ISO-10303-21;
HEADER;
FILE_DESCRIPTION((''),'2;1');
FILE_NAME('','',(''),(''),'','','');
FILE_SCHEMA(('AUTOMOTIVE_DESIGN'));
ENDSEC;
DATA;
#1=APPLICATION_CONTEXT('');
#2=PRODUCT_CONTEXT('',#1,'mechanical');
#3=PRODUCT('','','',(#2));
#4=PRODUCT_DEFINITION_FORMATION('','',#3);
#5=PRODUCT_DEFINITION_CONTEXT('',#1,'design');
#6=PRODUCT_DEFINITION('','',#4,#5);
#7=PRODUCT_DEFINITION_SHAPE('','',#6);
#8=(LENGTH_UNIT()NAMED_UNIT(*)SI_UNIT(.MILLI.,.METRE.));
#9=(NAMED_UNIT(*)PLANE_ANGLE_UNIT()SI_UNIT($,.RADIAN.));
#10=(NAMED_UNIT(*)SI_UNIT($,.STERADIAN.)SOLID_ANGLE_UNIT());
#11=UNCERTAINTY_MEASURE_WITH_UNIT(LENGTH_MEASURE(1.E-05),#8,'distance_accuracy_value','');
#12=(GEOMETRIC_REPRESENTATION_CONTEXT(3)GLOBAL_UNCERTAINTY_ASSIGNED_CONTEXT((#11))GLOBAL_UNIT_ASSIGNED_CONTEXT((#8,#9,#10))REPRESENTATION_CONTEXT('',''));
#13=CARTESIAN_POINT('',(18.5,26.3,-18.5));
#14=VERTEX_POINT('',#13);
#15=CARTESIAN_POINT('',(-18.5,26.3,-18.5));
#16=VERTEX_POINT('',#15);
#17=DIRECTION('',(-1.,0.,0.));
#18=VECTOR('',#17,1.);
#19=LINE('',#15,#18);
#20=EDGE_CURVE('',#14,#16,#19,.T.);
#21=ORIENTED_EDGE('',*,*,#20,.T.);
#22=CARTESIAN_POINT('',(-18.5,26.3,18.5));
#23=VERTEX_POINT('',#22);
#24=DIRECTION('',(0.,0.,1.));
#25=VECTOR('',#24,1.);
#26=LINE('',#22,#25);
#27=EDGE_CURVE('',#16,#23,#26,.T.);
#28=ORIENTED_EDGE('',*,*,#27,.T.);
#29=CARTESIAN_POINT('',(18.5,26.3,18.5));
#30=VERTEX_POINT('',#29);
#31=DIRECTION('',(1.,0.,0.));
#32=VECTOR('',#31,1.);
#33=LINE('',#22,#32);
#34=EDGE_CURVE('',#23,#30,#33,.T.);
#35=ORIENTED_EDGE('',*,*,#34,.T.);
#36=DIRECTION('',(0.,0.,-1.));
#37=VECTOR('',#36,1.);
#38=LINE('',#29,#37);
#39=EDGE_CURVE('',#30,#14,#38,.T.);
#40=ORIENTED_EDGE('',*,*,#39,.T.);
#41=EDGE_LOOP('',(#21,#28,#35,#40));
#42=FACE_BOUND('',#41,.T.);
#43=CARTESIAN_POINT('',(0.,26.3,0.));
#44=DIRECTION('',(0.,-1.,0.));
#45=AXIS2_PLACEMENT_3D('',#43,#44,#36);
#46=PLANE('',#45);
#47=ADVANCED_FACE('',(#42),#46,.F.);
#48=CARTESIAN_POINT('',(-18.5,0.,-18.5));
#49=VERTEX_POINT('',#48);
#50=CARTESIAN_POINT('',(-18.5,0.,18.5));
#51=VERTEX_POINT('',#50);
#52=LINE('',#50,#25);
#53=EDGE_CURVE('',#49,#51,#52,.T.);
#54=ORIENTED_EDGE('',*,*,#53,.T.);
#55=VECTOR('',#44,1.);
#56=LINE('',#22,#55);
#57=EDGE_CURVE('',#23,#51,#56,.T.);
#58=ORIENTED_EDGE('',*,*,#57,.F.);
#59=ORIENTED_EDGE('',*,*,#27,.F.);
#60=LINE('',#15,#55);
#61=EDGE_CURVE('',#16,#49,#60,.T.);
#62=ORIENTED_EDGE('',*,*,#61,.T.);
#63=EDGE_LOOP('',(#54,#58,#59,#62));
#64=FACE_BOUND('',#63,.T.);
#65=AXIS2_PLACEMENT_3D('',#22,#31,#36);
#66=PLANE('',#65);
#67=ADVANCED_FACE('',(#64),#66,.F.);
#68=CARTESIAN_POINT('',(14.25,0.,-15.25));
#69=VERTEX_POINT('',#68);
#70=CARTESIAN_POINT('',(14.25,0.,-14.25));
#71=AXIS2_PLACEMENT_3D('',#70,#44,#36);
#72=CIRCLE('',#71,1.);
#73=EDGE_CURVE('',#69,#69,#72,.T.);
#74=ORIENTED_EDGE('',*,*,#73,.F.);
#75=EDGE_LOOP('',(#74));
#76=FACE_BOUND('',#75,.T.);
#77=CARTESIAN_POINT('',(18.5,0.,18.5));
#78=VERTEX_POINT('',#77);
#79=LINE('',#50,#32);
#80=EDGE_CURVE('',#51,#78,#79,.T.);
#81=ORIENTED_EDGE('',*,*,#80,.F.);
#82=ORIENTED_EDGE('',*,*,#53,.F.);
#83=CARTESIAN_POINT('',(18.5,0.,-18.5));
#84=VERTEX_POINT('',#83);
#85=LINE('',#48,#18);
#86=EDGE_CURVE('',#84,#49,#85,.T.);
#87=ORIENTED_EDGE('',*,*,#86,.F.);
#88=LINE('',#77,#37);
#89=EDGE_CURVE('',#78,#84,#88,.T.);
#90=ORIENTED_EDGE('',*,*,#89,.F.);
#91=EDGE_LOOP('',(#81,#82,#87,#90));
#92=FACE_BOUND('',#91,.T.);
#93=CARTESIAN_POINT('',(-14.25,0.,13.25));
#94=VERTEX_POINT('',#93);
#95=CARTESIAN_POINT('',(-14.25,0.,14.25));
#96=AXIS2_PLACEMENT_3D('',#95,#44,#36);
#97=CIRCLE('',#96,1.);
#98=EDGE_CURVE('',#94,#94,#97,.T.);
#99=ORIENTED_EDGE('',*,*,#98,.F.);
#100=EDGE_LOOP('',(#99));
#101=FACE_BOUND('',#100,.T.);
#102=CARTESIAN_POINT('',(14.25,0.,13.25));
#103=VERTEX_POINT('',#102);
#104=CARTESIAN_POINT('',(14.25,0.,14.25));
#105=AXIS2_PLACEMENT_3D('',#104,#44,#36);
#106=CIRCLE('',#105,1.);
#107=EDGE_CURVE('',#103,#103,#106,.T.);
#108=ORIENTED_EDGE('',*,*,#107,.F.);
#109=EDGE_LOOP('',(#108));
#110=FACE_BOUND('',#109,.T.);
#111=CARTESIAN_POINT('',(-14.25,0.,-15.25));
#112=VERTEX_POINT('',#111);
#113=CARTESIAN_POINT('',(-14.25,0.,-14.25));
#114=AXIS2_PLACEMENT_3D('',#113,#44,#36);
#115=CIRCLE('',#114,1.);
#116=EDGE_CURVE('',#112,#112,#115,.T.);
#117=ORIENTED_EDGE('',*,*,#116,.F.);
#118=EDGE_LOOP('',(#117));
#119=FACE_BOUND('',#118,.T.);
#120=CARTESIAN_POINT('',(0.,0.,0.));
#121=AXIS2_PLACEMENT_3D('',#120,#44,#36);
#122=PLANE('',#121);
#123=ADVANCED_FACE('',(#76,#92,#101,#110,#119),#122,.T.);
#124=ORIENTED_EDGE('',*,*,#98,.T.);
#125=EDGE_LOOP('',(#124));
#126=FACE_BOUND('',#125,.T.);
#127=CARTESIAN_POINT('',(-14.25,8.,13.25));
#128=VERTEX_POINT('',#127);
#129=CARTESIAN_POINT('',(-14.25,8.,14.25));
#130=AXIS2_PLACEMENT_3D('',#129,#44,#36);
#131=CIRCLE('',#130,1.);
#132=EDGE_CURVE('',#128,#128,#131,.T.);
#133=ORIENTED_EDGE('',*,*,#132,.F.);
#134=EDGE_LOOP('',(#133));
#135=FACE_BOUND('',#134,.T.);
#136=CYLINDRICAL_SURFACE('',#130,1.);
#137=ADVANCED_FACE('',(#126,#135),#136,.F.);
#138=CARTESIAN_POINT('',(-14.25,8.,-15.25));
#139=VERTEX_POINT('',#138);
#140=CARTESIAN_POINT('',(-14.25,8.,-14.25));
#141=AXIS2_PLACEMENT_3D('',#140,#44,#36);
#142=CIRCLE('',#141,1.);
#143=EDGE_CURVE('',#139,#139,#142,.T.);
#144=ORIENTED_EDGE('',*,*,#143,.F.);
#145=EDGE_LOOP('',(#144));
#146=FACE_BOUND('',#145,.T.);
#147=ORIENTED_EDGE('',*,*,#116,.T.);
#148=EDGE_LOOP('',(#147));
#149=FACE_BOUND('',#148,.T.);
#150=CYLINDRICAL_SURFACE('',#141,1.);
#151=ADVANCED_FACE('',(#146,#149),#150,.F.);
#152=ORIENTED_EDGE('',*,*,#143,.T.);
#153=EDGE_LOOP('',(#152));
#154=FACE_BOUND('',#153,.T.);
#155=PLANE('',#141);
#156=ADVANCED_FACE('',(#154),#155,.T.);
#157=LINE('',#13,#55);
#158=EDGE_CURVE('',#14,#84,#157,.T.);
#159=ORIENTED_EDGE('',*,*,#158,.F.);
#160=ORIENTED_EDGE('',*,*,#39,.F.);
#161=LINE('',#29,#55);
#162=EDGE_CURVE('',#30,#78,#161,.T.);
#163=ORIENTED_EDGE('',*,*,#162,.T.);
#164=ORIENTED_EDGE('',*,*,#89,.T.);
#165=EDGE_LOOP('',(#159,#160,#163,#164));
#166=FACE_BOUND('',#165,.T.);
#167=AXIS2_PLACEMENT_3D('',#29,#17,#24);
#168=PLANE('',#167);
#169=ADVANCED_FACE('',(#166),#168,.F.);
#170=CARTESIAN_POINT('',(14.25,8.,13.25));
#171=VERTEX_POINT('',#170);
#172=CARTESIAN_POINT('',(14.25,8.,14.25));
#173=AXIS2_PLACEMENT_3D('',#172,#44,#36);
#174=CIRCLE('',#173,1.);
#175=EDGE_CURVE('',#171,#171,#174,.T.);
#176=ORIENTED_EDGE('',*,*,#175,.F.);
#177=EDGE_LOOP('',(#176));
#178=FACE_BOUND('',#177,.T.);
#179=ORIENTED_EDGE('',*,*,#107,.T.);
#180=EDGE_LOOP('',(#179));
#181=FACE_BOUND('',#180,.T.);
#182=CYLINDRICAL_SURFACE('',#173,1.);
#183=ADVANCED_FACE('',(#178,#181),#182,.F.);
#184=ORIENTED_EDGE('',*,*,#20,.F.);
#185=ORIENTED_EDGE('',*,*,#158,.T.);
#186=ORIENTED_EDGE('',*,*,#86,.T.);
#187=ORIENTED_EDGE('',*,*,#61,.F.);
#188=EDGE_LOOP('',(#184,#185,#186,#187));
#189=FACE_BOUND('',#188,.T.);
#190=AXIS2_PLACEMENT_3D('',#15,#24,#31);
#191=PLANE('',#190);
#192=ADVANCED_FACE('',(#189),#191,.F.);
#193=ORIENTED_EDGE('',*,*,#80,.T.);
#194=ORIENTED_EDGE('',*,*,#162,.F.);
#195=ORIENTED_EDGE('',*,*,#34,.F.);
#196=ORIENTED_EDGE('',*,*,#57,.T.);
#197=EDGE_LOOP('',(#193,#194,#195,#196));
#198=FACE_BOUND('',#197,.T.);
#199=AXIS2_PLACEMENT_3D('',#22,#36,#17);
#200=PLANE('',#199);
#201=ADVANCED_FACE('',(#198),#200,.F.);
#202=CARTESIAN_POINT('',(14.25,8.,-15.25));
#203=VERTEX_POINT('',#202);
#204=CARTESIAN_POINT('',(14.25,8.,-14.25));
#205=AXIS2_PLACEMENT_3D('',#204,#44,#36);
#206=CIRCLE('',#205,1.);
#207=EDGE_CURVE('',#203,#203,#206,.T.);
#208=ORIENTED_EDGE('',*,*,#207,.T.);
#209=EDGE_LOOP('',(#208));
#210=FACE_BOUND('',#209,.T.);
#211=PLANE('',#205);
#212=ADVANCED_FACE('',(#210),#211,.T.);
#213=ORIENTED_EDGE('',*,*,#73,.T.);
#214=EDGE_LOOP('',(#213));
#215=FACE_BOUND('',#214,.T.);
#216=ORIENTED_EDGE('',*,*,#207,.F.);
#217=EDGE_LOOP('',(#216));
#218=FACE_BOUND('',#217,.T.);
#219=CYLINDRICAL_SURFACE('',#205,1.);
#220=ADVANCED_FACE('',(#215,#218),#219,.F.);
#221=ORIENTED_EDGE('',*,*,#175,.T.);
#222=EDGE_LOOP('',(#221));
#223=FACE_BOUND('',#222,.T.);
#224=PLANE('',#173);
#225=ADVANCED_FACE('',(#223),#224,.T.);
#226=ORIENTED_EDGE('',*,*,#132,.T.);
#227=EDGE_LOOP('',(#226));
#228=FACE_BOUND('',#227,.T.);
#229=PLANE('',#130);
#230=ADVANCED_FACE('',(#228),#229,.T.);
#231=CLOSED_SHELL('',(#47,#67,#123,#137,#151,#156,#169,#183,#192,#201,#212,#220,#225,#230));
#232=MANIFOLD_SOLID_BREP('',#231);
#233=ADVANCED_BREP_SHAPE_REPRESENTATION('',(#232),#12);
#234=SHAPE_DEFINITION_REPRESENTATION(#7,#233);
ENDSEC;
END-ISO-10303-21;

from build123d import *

# Parameters (mm, degrees)
SKETCH_1_W          = 37
SKETCH_1_H          = 37
EXTRUDE_1_DEPTH     = 26.3
SKETCH_2_R          = 1
CUT_EXTRUDE_1_DEPTH = 8


with BuildPart() as part:
    # 草图1 → 凸台-拉伸1 (new body)
    with BuildSketch(Plane(origin=(0, 0, 0), x_dir=(1, 0, 0), z_dir=(0, 1, 0))):
        Rectangle(SKETCH_1_W, SKETCH_1_H)
    extrude(amount=EXTRUDE_1_DEPTH)

    # 草图2 → 切除-拉伸1 (cut)
    with BuildSketch(Plane.XZ):
        with Locations(Location((-14.25, 14.25, 0), (0, 0, 270))):
            Circle(SKETCH_2_R)
        with Locations(Location((14.25, 14.25, 0), (0, 0, 270))):
            Circle(SKETCH_2_R)
        with Locations(Location((14.25, -14.25, 0), (0, 0, 270))):
            Circle(SKETCH_2_R)
        with Locations(Location((-14.25, -14.25, 0), (0, 0, 270))):
            Circle(SKETCH_2_R)
    extrude(amount=-CUT_EXTRUDE_1_DEPTH, mode=Mode.SUBTRACT)


solid = part.part
